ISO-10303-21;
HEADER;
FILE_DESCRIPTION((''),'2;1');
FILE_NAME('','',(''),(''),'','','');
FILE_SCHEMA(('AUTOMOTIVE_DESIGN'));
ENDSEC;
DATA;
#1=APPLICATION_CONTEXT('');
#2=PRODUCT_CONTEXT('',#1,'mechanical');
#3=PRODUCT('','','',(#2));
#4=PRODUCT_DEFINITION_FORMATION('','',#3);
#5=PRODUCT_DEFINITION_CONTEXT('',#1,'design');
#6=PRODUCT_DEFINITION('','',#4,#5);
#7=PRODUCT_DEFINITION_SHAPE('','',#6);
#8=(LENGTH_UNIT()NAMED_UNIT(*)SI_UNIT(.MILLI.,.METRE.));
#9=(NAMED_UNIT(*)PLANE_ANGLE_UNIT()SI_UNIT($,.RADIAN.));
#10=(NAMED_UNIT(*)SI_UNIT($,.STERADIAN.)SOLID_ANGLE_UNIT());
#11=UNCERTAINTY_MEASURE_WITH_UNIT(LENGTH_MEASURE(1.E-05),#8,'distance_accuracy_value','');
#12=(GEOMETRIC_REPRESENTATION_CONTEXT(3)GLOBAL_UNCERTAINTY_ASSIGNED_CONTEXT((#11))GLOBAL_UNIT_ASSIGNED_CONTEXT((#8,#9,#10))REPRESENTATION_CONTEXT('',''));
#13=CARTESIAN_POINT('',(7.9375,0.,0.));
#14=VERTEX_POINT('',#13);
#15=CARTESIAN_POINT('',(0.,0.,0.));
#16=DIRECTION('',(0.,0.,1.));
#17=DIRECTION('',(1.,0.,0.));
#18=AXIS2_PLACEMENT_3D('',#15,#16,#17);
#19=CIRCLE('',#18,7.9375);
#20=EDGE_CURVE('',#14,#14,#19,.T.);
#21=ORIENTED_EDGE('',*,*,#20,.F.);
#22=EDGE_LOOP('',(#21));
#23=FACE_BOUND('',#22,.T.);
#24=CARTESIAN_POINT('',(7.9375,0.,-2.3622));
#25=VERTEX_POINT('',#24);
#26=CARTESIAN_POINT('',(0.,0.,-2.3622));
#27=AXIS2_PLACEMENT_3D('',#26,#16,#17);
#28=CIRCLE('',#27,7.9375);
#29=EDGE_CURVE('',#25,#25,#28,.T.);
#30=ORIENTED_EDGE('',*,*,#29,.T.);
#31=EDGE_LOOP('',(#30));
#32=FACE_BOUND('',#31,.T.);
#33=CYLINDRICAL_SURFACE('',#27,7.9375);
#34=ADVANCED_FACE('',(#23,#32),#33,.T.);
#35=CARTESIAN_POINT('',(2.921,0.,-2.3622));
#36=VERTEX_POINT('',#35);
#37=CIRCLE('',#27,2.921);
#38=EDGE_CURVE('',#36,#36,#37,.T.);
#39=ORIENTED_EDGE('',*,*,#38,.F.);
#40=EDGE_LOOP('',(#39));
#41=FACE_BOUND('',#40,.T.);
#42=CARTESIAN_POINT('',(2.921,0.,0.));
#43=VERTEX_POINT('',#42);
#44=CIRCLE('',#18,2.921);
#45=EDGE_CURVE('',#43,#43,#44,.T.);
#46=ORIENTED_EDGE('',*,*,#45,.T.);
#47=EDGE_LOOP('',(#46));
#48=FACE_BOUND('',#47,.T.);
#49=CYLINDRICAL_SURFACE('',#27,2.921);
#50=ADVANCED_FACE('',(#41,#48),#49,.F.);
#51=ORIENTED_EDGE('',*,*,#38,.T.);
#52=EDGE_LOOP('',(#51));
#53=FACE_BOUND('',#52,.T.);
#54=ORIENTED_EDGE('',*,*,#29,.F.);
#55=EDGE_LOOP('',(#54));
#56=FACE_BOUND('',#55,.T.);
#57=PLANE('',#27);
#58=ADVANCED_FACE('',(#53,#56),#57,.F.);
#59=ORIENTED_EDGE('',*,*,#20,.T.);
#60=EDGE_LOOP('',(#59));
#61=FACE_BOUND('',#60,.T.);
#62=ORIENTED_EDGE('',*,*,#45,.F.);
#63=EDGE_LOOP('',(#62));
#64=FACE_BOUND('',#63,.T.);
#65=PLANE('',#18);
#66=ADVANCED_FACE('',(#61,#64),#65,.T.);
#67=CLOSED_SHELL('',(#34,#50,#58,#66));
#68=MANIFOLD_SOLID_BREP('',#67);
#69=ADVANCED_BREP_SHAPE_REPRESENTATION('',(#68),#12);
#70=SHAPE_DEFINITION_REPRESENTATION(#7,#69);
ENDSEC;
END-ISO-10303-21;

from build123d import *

# Parameters (mm, degrees)
SKETCH1_R      = 7.9375
SKETCH1_R_2    = 2.921
EXTRUDE1_DEPTH = 2.3622


with BuildPart() as part:
    # Sketch1 → Extrude1 (new body)
    with BuildSketch(Plane.XY):
        Circle(SKETCH1_R)
        Circle(SKETCH1_R_2, mode=Mode.SUBTRACT)
    extrude(amount=-EXTRUDE1_DEPTH)


solid = part.part
